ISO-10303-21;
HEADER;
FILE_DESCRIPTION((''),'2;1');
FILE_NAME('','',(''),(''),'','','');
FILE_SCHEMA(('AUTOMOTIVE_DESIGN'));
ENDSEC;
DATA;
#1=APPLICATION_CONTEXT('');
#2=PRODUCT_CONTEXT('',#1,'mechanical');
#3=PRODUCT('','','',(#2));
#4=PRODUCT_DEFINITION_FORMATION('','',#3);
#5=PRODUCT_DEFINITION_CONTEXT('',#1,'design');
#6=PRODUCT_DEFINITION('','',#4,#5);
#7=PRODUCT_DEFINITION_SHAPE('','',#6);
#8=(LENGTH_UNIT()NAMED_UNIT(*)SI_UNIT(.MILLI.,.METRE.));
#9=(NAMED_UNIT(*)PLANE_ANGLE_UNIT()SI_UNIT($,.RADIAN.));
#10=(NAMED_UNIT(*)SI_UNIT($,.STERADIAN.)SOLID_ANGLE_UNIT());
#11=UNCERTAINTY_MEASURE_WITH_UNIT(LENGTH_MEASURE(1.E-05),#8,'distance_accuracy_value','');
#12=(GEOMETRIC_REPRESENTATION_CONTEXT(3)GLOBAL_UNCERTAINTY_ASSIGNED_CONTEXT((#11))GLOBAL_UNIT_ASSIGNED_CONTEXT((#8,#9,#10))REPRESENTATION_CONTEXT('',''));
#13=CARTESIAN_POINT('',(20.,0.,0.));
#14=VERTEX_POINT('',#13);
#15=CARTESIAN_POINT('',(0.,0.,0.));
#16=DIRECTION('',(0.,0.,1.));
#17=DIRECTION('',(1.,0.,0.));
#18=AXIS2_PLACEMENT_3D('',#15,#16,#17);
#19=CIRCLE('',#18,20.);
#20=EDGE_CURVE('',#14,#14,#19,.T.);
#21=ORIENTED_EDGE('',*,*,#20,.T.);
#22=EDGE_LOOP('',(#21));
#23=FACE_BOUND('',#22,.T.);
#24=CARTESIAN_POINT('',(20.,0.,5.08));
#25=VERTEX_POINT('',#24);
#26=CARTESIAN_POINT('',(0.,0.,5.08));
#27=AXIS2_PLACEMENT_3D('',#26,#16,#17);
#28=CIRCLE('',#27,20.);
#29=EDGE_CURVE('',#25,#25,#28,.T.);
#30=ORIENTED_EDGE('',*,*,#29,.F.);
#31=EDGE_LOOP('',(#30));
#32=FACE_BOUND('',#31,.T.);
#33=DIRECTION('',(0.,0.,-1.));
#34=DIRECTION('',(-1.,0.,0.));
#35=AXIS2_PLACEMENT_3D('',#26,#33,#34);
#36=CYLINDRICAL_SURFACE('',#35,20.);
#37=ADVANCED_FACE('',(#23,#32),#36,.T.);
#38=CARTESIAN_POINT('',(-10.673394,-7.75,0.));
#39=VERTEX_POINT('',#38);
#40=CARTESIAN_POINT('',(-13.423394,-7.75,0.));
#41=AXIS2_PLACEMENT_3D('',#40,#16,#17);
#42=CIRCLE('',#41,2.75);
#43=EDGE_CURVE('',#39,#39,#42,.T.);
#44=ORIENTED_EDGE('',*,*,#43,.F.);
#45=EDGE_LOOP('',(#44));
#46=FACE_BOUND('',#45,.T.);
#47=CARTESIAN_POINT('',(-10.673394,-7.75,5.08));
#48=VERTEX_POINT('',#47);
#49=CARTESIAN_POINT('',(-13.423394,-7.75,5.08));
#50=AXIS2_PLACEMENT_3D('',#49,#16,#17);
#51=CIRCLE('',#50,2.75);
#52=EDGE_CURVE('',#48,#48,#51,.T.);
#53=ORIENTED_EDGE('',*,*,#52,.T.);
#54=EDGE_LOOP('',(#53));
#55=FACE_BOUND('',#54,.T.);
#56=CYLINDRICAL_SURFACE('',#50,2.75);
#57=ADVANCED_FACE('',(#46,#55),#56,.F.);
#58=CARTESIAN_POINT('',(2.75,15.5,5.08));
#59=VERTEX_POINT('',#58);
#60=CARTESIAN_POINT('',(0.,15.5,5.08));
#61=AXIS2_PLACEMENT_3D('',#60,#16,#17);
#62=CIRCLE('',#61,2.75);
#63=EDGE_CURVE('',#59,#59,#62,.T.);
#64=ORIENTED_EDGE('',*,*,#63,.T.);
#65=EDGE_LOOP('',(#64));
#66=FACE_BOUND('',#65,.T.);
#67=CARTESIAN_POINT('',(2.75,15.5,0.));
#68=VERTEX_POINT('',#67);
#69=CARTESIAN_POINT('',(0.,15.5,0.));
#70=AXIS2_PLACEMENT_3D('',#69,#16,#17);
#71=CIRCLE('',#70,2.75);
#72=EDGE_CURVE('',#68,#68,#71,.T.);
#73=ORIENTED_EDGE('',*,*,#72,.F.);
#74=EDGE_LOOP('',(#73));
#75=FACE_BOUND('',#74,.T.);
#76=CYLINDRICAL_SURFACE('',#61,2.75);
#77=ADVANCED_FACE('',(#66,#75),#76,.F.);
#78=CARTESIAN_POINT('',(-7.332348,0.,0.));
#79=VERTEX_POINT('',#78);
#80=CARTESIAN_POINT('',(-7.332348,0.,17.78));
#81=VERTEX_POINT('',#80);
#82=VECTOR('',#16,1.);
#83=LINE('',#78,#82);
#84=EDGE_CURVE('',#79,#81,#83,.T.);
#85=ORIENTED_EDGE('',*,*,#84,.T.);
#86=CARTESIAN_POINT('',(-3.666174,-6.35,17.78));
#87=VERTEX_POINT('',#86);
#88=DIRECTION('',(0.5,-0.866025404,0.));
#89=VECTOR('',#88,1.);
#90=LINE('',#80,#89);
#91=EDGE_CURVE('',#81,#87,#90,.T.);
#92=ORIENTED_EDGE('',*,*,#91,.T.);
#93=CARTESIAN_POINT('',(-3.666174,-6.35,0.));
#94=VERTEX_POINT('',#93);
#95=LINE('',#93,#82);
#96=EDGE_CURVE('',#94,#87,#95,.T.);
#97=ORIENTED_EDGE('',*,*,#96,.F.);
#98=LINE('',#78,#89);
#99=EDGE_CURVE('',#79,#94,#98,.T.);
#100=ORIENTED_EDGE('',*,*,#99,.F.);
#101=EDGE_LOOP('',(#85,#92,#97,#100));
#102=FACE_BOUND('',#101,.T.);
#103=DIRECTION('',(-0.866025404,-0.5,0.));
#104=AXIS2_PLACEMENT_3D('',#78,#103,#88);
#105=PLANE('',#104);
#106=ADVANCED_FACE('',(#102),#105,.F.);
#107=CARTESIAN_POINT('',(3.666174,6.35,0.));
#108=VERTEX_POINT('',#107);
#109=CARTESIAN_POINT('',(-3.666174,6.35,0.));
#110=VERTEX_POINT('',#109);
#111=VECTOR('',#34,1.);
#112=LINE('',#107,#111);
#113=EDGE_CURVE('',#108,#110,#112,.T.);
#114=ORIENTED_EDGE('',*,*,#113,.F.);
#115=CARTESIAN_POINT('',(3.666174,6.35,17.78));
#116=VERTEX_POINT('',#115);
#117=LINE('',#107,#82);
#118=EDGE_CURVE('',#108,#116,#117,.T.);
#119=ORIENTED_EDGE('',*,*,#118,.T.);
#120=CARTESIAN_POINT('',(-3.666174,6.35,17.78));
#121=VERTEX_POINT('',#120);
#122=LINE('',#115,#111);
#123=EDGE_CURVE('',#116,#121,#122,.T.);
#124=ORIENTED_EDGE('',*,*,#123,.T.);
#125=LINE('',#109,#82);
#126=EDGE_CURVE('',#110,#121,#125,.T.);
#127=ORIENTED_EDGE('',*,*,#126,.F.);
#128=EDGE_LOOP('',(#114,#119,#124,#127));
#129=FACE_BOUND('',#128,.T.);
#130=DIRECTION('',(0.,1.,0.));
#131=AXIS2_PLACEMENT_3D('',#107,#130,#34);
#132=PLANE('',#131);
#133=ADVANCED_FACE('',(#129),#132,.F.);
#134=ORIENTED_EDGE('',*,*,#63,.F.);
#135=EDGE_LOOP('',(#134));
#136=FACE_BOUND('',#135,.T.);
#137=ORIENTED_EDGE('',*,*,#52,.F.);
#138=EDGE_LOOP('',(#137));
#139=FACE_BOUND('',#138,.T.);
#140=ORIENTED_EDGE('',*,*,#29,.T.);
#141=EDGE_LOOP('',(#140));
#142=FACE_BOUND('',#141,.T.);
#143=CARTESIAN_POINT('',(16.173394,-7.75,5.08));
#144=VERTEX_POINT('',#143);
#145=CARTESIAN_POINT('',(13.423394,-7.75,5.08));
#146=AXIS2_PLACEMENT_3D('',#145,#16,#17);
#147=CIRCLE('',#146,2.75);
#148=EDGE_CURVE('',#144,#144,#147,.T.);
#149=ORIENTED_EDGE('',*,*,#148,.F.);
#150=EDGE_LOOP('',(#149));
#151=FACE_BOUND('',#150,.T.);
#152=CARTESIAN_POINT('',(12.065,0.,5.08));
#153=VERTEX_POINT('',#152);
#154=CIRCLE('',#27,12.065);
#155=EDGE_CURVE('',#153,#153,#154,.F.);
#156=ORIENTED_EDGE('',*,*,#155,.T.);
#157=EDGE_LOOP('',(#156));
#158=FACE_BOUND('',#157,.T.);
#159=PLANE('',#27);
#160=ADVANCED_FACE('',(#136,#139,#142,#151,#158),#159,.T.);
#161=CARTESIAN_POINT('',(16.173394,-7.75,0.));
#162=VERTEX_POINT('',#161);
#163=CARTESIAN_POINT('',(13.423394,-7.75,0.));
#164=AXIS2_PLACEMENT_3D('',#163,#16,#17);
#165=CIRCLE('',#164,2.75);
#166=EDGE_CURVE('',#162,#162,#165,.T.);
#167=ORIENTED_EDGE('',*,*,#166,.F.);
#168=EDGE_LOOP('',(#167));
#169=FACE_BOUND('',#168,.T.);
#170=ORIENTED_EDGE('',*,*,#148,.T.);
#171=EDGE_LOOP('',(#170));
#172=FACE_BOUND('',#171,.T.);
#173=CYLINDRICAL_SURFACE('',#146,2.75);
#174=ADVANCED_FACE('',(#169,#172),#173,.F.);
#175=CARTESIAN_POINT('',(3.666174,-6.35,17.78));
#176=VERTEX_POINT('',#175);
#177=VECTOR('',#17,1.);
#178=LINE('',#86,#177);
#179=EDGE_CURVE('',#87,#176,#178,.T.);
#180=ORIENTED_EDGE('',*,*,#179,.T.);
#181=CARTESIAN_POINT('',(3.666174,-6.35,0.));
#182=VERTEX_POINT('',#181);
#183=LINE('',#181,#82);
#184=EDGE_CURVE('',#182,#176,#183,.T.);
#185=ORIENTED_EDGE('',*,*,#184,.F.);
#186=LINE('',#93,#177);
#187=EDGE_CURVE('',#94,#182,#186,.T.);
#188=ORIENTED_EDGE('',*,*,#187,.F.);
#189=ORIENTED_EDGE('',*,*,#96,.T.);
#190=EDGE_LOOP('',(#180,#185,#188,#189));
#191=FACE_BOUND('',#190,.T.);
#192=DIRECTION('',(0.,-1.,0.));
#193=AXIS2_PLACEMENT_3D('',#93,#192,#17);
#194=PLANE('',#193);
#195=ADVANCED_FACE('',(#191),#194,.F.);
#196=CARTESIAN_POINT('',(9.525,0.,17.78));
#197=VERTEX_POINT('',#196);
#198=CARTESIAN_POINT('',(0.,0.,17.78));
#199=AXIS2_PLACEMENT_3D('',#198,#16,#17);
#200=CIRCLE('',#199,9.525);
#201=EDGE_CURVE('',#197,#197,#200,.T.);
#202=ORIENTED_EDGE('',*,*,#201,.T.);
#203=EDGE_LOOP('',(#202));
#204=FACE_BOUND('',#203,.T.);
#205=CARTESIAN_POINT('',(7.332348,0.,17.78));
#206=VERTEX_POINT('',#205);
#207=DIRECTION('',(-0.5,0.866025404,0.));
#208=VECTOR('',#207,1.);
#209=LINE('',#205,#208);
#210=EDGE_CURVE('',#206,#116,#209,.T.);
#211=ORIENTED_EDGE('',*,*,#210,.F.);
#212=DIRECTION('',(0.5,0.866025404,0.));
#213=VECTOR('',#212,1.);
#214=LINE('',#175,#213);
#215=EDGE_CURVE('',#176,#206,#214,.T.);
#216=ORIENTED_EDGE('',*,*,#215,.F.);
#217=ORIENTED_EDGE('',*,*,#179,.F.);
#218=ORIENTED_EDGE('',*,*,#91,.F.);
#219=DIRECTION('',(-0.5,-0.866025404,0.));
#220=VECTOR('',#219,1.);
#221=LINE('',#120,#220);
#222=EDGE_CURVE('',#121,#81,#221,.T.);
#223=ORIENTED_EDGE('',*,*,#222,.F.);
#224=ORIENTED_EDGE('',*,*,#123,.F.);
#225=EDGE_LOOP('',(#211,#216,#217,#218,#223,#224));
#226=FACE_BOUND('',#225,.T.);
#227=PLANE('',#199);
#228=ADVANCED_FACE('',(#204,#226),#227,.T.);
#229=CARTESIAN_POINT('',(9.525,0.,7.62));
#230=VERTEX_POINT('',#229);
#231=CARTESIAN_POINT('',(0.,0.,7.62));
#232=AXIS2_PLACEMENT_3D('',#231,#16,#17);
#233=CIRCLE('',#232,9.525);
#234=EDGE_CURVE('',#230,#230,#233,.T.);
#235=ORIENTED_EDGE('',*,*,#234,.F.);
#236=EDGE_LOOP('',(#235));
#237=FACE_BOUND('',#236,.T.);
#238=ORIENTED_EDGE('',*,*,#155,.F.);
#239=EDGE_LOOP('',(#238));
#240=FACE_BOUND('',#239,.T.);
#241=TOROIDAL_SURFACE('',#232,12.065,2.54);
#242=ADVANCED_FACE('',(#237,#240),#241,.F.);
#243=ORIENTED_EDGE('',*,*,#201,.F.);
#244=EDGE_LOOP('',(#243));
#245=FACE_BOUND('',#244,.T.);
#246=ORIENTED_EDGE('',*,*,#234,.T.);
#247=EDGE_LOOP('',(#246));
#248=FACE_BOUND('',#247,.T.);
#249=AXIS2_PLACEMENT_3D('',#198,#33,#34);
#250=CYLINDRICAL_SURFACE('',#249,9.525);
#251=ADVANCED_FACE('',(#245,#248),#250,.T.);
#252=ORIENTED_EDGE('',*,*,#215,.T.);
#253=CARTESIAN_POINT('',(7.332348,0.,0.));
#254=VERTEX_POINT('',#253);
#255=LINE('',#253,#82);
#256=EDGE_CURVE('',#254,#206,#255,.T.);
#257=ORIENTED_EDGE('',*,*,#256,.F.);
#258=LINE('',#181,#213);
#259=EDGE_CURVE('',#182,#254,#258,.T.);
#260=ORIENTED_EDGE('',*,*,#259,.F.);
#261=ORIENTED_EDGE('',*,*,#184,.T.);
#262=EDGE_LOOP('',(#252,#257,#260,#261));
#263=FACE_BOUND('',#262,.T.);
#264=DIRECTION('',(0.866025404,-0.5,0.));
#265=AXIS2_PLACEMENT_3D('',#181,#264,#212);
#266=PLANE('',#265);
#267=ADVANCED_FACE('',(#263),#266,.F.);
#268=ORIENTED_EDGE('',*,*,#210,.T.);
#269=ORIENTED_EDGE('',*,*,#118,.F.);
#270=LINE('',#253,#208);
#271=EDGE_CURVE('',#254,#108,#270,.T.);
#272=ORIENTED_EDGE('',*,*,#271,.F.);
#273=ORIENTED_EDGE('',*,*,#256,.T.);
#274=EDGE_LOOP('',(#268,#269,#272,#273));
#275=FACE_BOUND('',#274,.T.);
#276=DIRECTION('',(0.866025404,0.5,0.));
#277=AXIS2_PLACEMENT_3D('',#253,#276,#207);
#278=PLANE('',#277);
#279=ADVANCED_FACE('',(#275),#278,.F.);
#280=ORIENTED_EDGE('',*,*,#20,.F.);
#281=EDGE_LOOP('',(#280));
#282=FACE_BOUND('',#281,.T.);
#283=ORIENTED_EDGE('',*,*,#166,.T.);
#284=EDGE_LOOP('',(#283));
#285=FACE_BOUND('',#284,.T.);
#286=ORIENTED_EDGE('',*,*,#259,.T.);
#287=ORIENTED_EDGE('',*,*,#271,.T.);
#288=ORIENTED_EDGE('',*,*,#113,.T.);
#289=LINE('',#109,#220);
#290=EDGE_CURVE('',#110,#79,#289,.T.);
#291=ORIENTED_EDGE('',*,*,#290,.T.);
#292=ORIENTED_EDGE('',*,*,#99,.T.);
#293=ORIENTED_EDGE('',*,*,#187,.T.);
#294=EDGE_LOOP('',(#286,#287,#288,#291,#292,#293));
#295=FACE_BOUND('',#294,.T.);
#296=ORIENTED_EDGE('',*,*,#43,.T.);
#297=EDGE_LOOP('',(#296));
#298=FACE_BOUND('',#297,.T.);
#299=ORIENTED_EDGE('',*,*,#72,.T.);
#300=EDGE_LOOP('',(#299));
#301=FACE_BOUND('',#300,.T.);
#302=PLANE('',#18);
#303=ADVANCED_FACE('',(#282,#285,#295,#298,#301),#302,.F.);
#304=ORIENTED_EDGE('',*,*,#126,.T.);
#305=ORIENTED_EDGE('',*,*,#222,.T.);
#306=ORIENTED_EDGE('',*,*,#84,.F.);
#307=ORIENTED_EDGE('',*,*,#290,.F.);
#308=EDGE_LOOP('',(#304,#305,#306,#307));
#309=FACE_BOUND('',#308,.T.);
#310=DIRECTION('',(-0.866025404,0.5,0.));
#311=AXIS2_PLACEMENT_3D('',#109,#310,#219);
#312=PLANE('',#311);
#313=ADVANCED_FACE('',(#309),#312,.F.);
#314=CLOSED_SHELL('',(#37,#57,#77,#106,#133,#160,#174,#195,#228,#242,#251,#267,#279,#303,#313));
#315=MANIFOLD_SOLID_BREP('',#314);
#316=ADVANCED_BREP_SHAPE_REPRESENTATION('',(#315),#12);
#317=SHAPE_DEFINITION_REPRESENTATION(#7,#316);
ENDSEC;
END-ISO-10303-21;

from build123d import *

# Parameters (mm, degrees)
SKETCH1_R            = 20
BOSS_EXTRUDE1_DEPTH  = 5.08
SKETCH2_R            = 9.525
BOSS_EXTRUDE2_DEPTH  = 12.7
M5_CLEARANCE_HOLE1_D = 5.5
CUT_EXTRUDE1_DEPTH   = 18.78
FILLET1_R            = 2.54


with BuildPart() as part:
    # Sketch1 → Boss-Extrude1 (new body)
    with BuildSketch(Plane.XY):
        Circle(SKETCH1_R)
    extrude(amount=BOSS_EXTRUDE1_DEPTH)

    # Sketch2 → Boss-Extrude2 (add)
    with BuildSketch(Plane.XY.offset(5.08)):
        Circle(SKETCH2_R)
    extrude(amount=BOSS_EXTRUDE2_DEPTH)

    # M5 Clearance Hole1 (through all)
    with Locations(Plane.XY.offset(5.08)):
        with Locations((0, 15.5), (13.423393759, -7.75), (-13.423393759, -7.75)):
            Hole(M5_CLEARANCE_HOLE1_D / 2)

    # Sketch5 → Cut-Extrude1 (cut, through all)
    with BuildSketch(Plane.XY.offset(17.78)):
        Polygon((3.666174209, 6.35), (-3.666174209, 6.35), (-7.332348419, 0), (-3.666174209, -6.35), (3.666174209, -6.35), (7.332348419, 0), align=None)
    extrude(amount=-CUT_EXTRUDE1_DEPTH, mode=Mode.SUBTRACT)

    # Fillet1
    fillet1_edges = [part.edges().sort_by_distance(p)[0] for p in [
        (-9.525, 0, 5.08),
    ]]
    fillet(fillet1_edges, radius=FILLET1_R)


solid = part.part
